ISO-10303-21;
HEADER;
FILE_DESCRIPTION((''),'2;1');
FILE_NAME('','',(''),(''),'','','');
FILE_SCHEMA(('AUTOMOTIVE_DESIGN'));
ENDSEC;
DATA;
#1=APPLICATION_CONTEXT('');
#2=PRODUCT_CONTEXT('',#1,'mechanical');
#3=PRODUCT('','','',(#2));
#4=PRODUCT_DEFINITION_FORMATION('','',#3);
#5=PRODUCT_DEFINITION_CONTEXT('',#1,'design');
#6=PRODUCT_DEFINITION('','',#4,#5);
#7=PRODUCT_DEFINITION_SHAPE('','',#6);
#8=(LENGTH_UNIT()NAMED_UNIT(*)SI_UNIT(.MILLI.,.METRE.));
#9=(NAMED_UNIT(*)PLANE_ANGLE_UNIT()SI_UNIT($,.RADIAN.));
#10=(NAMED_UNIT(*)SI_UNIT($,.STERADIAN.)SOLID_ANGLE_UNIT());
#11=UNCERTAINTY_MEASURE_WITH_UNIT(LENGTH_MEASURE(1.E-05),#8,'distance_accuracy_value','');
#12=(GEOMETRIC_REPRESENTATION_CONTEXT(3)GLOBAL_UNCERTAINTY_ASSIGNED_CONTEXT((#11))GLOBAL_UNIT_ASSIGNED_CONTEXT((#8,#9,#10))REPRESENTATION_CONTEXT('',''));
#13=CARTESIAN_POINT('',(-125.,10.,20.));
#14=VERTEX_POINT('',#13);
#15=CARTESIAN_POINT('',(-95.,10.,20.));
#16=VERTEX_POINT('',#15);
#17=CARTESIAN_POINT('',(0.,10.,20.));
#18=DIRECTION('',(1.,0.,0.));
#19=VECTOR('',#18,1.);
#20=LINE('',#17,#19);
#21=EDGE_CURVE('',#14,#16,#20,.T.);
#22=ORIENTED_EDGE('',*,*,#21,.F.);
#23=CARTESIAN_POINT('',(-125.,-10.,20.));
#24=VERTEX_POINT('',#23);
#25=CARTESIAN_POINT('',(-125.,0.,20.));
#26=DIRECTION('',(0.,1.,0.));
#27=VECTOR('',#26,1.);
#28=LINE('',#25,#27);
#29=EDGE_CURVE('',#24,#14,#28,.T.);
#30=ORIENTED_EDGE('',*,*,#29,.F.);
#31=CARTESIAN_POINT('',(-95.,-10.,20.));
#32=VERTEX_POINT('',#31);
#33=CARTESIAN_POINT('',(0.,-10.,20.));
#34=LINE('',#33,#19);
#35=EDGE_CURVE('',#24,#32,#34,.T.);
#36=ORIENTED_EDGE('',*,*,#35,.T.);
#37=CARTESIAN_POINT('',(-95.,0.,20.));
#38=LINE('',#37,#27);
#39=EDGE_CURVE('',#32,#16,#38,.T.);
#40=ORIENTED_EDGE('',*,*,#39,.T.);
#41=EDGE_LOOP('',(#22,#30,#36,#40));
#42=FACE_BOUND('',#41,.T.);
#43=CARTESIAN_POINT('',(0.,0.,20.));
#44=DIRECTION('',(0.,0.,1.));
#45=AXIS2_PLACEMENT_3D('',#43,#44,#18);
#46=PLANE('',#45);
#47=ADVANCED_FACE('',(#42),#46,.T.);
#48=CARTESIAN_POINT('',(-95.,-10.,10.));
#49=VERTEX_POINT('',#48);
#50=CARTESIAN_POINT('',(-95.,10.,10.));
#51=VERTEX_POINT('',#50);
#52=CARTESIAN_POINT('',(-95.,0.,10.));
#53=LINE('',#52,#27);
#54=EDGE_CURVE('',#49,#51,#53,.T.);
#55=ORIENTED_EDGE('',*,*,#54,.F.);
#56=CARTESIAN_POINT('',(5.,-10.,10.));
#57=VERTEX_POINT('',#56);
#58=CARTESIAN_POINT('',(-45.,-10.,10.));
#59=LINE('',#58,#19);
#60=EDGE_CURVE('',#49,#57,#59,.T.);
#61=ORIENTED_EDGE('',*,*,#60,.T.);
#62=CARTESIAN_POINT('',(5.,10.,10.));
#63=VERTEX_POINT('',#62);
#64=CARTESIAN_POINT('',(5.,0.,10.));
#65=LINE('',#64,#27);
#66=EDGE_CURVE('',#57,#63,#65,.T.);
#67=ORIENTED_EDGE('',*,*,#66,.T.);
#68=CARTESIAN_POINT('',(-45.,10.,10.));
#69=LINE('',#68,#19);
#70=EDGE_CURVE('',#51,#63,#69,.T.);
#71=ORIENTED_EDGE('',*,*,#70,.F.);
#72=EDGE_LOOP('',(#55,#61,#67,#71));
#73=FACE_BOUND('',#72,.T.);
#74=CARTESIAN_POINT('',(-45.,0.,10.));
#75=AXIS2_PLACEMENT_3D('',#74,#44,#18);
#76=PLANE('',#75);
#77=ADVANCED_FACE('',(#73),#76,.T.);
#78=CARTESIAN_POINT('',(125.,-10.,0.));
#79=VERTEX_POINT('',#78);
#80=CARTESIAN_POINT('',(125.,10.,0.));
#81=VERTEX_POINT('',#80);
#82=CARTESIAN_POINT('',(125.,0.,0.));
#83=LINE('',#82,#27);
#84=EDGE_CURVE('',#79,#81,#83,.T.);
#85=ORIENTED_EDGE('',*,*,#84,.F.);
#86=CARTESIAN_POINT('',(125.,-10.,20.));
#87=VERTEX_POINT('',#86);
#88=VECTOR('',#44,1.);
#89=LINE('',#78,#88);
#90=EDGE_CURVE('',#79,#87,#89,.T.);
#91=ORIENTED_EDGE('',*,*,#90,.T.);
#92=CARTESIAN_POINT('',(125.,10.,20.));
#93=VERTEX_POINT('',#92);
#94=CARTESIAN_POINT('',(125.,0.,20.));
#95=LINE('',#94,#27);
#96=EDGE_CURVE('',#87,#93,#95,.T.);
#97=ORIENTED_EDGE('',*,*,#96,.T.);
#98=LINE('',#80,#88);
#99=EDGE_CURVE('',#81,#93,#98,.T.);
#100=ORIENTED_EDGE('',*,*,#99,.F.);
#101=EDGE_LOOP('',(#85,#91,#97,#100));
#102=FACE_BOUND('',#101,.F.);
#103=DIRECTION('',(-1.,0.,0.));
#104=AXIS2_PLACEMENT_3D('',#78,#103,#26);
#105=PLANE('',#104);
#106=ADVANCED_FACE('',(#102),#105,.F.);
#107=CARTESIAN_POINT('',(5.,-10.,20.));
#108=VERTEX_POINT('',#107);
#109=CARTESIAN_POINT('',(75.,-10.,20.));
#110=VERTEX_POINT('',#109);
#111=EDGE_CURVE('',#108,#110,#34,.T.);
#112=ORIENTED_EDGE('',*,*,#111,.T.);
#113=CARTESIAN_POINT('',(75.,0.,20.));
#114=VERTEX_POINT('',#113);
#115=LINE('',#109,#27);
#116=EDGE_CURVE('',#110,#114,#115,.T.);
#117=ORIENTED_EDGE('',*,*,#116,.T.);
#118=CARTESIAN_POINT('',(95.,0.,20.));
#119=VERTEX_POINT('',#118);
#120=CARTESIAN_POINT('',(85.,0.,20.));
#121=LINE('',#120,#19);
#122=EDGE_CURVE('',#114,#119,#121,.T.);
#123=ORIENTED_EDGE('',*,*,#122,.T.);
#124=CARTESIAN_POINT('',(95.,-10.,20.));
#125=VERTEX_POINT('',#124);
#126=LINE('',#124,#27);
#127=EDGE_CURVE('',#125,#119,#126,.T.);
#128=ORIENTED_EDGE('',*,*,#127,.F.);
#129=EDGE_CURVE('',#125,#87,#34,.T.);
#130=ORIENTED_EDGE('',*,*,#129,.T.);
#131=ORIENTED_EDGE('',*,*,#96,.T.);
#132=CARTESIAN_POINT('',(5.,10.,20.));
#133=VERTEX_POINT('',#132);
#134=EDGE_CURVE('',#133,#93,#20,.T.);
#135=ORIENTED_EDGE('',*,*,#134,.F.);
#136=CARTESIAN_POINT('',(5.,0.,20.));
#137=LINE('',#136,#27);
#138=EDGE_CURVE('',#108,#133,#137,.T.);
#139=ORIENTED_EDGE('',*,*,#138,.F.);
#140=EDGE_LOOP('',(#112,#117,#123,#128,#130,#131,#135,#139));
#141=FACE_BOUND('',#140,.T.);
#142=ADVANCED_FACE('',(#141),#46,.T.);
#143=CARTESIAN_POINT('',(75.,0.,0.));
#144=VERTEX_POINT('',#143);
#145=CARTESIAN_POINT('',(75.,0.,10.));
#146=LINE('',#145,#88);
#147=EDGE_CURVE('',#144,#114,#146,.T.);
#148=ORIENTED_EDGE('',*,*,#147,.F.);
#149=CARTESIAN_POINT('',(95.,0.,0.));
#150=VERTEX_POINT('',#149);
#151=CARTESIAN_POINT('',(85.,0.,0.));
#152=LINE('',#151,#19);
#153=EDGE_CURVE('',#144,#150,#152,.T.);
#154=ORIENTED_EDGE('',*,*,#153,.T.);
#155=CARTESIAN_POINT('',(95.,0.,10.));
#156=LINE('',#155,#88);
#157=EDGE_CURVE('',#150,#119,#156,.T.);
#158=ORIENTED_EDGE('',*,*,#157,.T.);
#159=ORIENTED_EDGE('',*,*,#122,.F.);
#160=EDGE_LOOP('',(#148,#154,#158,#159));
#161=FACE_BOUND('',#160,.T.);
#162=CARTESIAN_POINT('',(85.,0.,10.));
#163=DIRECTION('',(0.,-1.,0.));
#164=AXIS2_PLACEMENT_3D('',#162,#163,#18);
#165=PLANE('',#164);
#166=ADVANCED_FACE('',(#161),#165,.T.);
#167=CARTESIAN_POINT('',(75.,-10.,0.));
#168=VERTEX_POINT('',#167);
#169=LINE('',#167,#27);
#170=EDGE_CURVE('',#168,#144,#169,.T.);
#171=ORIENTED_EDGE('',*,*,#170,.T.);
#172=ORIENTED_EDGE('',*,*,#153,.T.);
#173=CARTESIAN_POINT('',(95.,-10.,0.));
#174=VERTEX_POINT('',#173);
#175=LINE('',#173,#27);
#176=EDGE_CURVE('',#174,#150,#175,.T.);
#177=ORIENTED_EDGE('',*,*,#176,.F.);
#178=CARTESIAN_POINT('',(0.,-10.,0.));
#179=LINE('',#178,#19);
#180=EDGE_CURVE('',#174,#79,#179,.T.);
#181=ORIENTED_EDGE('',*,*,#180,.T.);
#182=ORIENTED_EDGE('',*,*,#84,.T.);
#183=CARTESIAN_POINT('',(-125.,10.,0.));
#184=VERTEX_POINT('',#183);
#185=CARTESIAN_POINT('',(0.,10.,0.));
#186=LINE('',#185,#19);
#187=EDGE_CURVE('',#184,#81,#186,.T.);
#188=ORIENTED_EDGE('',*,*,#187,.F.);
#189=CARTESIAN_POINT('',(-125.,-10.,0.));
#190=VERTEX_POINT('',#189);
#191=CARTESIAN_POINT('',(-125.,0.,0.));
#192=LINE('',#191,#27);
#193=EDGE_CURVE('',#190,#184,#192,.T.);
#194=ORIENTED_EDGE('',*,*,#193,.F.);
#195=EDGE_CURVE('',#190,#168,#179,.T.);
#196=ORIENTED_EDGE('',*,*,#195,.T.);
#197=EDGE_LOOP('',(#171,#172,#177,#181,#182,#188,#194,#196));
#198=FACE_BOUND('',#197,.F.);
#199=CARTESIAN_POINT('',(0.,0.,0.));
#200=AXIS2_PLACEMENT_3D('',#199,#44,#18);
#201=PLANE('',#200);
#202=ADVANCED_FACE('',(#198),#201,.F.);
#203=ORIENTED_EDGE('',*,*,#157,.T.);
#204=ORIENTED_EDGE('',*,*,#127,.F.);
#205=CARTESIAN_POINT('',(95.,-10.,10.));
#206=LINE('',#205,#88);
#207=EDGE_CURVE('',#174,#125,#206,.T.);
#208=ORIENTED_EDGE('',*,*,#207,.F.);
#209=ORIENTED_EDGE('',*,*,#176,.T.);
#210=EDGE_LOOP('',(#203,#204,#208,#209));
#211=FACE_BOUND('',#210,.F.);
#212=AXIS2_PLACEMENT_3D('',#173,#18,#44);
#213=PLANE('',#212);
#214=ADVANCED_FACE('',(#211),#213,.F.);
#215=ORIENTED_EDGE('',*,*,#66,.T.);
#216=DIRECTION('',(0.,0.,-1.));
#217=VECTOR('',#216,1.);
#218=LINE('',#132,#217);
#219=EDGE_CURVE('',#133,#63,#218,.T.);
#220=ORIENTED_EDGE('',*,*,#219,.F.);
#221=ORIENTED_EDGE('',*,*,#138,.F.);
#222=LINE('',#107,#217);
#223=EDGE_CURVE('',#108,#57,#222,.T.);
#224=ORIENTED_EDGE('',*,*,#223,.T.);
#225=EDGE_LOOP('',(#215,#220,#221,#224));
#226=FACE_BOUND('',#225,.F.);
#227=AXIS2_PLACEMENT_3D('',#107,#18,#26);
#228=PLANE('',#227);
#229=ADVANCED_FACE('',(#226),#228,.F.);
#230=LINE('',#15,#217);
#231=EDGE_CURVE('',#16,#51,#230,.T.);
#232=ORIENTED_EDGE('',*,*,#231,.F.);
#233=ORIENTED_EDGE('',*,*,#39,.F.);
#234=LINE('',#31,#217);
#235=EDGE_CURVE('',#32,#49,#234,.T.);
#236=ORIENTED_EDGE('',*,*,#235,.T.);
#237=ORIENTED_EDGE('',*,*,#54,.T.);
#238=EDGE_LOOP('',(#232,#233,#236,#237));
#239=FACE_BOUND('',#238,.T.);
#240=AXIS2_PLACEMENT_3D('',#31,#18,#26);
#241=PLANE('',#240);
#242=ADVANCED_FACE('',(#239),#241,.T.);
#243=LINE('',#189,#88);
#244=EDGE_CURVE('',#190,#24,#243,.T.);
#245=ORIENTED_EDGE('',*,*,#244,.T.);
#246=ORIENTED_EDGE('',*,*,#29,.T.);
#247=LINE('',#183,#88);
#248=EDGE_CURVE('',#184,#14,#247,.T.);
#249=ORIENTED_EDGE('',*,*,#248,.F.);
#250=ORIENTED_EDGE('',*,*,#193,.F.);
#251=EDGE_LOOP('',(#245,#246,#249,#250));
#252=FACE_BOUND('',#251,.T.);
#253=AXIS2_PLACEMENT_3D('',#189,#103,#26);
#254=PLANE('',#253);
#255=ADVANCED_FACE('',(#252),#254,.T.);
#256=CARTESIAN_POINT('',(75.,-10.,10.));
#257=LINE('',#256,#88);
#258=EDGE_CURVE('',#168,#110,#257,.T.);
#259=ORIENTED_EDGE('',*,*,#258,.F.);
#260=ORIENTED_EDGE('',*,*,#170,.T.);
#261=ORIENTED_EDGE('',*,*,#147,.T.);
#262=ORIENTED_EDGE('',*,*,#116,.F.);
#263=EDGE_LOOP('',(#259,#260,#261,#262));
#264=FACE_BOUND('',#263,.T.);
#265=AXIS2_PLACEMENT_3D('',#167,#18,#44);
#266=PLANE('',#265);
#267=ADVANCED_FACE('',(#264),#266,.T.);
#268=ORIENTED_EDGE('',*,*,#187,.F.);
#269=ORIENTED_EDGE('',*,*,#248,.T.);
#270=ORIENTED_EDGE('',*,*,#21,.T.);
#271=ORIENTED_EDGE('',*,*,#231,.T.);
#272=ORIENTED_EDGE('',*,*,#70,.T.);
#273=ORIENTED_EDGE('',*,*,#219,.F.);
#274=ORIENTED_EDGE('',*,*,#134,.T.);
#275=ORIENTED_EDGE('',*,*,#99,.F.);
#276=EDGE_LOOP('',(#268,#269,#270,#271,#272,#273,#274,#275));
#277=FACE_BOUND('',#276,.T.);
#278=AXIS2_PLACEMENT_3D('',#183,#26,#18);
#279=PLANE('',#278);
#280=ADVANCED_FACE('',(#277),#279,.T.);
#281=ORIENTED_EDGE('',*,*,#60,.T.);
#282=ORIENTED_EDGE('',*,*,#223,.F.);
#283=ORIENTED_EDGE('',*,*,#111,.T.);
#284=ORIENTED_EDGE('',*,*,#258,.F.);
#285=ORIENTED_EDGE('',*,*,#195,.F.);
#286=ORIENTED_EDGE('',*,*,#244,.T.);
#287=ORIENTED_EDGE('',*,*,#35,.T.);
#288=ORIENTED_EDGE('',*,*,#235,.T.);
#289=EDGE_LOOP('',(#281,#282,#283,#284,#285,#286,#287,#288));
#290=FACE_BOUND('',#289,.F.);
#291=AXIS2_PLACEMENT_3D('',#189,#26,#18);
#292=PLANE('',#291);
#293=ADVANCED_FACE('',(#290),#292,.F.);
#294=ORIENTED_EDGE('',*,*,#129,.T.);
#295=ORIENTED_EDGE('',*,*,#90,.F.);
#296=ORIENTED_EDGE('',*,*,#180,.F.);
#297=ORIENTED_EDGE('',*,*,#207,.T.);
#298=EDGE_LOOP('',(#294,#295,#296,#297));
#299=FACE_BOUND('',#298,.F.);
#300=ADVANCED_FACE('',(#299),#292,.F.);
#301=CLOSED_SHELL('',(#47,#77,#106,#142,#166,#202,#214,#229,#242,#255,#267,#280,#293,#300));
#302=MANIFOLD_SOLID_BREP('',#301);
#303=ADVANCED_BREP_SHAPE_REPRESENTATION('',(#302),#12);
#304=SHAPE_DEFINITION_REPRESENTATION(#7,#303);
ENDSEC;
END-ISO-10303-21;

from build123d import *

# Parameters (mm, degrees)
F0_W     = 250
F0_H     = 20
F1_DEPTH = 20
F2_W     = 20
F2_H     = 20
F3_DEPTH = 10
F4_W     = 100
F4_H     = 20
F5_DEPTH = 10


with BuildPart() as f1:
    # F0 (on Top) → F1 (new body)
    with BuildSketch(Plane.XY):
        Rectangle(F0_W, F0_H)
    extrude(amount=F1_DEPTH)

    # F2 (on face) → F3 (cut)
    with BuildSketch(Plane.XZ.offset(10)):
        with Locations((85, 10)):
            Rectangle(F2_W, F2_H)
    extrude(amount=-F3_DEPTH, mode=Mode.SUBTRACT)

    # F4 (on face) → F5 (cut)
    with BuildSketch(Plane.XY.offset(20)):
        with Locations((-45, 0)):
            Rectangle(F4_W, F4_H)
    extrude(amount=-F5_DEPTH, mode=Mode.SUBTRACT)


solid = f1.part
